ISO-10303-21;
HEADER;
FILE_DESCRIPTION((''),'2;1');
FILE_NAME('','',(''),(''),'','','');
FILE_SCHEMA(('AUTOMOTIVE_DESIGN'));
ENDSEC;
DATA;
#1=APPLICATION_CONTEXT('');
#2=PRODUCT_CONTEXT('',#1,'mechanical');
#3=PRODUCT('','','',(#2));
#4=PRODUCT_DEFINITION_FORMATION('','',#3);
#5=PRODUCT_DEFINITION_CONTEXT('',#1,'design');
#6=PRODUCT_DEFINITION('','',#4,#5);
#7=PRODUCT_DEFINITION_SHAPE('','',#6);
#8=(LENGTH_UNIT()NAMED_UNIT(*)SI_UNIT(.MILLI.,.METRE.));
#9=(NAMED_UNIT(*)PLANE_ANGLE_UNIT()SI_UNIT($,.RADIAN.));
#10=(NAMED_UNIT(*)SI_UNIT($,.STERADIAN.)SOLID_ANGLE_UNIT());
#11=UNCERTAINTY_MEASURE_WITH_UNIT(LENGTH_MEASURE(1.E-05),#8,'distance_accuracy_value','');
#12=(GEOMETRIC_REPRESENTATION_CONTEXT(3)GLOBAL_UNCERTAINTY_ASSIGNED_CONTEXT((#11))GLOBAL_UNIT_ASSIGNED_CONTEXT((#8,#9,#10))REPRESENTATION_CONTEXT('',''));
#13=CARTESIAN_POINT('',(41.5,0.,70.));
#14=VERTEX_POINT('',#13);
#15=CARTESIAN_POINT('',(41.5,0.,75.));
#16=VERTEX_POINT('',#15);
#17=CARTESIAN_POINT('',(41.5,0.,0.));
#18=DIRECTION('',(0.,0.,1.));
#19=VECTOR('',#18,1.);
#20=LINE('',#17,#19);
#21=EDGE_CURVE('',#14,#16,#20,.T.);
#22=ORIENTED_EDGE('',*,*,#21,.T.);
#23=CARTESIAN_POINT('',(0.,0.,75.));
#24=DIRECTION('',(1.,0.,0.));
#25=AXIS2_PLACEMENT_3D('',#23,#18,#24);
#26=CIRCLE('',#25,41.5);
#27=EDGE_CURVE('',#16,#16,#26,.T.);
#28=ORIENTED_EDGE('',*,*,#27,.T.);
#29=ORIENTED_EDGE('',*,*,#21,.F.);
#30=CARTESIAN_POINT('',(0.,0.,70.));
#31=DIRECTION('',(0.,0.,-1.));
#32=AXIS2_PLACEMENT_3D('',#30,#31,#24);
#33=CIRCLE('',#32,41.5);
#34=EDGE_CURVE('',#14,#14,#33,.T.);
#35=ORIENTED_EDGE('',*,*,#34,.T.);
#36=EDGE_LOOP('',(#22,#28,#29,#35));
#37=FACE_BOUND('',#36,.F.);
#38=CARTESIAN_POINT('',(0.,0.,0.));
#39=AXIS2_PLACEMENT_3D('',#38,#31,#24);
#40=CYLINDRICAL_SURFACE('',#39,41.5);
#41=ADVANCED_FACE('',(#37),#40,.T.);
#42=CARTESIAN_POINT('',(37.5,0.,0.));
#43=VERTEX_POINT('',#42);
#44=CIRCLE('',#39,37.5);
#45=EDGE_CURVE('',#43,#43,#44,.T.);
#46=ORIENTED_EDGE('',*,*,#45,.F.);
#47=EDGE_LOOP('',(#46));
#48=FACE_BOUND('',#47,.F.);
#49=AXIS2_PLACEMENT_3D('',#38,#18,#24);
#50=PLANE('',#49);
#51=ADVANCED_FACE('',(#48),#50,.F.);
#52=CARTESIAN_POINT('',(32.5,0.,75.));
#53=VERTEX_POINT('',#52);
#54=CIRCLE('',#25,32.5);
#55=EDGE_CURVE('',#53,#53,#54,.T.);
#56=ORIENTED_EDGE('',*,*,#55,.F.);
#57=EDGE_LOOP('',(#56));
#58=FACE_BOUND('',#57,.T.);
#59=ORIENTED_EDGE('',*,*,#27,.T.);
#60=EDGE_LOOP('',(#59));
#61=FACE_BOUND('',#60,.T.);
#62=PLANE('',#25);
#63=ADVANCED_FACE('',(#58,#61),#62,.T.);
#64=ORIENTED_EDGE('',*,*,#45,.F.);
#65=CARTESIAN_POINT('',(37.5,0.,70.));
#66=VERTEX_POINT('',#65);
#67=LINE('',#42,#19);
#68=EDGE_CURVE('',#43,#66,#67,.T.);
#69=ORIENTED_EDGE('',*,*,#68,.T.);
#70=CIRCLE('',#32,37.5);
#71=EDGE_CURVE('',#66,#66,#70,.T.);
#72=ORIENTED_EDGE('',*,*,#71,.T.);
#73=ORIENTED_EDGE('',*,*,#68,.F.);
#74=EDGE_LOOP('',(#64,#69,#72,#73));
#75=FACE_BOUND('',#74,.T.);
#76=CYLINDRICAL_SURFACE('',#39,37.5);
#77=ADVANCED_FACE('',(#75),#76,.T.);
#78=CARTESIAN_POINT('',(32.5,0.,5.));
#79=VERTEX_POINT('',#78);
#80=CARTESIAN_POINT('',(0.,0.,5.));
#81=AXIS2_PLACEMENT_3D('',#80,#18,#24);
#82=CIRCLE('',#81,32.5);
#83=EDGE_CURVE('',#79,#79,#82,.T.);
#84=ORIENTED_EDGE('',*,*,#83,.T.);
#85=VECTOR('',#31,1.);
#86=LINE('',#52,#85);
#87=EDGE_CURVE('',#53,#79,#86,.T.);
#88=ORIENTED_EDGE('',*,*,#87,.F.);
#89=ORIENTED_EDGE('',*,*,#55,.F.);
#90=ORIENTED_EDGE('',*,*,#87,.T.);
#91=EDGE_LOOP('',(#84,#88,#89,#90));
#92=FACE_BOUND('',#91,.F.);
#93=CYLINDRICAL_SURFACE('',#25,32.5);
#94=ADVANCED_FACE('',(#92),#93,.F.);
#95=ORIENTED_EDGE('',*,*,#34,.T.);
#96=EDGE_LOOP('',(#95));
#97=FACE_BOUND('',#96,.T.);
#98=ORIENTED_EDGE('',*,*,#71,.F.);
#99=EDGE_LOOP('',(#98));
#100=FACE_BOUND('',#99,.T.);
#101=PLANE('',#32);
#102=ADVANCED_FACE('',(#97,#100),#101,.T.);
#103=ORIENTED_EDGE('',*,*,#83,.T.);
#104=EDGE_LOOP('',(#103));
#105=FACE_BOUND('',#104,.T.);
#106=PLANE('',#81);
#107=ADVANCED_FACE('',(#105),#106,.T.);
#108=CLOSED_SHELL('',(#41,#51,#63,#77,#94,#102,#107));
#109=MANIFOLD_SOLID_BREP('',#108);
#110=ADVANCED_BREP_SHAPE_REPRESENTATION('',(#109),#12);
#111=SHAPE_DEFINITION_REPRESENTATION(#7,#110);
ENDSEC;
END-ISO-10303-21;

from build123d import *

# Parameters (mm, degrees)
F0_R     = 41.5
F1_DEPTH = 75
F2_R     = 32.5
F3_DEPTH = 70
F4_R     = 41.5
F4_R_2   = 37.5
F5_DEPTH = 70


with BuildPart() as f1:
    # F0 (on Top) → F1 (new body)
    with BuildSketch(Plane.XY):
        Circle(F0_R)
    extrude(amount=F1_DEPTH)

    # F2 (on face) → F3 (cut)
    with BuildSketch(Plane.XY.offset(75)):
        Circle(F2_R)
    extrude(amount=-F3_DEPTH, mode=Mode.SUBTRACT)

    # F4 (on face) → F5 (cut)
    with BuildSketch(Plane(origin=(0, 0, 0), x_dir=(1, 0, 0), z_dir=(0, 0, -1))):
        Circle(F4_R)
        Circle(F4_R_2, mode=Mode.SUBTRACT)
    extrude(amount=-F5_DEPTH, mode=Mode.SUBTRACT)


solid = f1.part
